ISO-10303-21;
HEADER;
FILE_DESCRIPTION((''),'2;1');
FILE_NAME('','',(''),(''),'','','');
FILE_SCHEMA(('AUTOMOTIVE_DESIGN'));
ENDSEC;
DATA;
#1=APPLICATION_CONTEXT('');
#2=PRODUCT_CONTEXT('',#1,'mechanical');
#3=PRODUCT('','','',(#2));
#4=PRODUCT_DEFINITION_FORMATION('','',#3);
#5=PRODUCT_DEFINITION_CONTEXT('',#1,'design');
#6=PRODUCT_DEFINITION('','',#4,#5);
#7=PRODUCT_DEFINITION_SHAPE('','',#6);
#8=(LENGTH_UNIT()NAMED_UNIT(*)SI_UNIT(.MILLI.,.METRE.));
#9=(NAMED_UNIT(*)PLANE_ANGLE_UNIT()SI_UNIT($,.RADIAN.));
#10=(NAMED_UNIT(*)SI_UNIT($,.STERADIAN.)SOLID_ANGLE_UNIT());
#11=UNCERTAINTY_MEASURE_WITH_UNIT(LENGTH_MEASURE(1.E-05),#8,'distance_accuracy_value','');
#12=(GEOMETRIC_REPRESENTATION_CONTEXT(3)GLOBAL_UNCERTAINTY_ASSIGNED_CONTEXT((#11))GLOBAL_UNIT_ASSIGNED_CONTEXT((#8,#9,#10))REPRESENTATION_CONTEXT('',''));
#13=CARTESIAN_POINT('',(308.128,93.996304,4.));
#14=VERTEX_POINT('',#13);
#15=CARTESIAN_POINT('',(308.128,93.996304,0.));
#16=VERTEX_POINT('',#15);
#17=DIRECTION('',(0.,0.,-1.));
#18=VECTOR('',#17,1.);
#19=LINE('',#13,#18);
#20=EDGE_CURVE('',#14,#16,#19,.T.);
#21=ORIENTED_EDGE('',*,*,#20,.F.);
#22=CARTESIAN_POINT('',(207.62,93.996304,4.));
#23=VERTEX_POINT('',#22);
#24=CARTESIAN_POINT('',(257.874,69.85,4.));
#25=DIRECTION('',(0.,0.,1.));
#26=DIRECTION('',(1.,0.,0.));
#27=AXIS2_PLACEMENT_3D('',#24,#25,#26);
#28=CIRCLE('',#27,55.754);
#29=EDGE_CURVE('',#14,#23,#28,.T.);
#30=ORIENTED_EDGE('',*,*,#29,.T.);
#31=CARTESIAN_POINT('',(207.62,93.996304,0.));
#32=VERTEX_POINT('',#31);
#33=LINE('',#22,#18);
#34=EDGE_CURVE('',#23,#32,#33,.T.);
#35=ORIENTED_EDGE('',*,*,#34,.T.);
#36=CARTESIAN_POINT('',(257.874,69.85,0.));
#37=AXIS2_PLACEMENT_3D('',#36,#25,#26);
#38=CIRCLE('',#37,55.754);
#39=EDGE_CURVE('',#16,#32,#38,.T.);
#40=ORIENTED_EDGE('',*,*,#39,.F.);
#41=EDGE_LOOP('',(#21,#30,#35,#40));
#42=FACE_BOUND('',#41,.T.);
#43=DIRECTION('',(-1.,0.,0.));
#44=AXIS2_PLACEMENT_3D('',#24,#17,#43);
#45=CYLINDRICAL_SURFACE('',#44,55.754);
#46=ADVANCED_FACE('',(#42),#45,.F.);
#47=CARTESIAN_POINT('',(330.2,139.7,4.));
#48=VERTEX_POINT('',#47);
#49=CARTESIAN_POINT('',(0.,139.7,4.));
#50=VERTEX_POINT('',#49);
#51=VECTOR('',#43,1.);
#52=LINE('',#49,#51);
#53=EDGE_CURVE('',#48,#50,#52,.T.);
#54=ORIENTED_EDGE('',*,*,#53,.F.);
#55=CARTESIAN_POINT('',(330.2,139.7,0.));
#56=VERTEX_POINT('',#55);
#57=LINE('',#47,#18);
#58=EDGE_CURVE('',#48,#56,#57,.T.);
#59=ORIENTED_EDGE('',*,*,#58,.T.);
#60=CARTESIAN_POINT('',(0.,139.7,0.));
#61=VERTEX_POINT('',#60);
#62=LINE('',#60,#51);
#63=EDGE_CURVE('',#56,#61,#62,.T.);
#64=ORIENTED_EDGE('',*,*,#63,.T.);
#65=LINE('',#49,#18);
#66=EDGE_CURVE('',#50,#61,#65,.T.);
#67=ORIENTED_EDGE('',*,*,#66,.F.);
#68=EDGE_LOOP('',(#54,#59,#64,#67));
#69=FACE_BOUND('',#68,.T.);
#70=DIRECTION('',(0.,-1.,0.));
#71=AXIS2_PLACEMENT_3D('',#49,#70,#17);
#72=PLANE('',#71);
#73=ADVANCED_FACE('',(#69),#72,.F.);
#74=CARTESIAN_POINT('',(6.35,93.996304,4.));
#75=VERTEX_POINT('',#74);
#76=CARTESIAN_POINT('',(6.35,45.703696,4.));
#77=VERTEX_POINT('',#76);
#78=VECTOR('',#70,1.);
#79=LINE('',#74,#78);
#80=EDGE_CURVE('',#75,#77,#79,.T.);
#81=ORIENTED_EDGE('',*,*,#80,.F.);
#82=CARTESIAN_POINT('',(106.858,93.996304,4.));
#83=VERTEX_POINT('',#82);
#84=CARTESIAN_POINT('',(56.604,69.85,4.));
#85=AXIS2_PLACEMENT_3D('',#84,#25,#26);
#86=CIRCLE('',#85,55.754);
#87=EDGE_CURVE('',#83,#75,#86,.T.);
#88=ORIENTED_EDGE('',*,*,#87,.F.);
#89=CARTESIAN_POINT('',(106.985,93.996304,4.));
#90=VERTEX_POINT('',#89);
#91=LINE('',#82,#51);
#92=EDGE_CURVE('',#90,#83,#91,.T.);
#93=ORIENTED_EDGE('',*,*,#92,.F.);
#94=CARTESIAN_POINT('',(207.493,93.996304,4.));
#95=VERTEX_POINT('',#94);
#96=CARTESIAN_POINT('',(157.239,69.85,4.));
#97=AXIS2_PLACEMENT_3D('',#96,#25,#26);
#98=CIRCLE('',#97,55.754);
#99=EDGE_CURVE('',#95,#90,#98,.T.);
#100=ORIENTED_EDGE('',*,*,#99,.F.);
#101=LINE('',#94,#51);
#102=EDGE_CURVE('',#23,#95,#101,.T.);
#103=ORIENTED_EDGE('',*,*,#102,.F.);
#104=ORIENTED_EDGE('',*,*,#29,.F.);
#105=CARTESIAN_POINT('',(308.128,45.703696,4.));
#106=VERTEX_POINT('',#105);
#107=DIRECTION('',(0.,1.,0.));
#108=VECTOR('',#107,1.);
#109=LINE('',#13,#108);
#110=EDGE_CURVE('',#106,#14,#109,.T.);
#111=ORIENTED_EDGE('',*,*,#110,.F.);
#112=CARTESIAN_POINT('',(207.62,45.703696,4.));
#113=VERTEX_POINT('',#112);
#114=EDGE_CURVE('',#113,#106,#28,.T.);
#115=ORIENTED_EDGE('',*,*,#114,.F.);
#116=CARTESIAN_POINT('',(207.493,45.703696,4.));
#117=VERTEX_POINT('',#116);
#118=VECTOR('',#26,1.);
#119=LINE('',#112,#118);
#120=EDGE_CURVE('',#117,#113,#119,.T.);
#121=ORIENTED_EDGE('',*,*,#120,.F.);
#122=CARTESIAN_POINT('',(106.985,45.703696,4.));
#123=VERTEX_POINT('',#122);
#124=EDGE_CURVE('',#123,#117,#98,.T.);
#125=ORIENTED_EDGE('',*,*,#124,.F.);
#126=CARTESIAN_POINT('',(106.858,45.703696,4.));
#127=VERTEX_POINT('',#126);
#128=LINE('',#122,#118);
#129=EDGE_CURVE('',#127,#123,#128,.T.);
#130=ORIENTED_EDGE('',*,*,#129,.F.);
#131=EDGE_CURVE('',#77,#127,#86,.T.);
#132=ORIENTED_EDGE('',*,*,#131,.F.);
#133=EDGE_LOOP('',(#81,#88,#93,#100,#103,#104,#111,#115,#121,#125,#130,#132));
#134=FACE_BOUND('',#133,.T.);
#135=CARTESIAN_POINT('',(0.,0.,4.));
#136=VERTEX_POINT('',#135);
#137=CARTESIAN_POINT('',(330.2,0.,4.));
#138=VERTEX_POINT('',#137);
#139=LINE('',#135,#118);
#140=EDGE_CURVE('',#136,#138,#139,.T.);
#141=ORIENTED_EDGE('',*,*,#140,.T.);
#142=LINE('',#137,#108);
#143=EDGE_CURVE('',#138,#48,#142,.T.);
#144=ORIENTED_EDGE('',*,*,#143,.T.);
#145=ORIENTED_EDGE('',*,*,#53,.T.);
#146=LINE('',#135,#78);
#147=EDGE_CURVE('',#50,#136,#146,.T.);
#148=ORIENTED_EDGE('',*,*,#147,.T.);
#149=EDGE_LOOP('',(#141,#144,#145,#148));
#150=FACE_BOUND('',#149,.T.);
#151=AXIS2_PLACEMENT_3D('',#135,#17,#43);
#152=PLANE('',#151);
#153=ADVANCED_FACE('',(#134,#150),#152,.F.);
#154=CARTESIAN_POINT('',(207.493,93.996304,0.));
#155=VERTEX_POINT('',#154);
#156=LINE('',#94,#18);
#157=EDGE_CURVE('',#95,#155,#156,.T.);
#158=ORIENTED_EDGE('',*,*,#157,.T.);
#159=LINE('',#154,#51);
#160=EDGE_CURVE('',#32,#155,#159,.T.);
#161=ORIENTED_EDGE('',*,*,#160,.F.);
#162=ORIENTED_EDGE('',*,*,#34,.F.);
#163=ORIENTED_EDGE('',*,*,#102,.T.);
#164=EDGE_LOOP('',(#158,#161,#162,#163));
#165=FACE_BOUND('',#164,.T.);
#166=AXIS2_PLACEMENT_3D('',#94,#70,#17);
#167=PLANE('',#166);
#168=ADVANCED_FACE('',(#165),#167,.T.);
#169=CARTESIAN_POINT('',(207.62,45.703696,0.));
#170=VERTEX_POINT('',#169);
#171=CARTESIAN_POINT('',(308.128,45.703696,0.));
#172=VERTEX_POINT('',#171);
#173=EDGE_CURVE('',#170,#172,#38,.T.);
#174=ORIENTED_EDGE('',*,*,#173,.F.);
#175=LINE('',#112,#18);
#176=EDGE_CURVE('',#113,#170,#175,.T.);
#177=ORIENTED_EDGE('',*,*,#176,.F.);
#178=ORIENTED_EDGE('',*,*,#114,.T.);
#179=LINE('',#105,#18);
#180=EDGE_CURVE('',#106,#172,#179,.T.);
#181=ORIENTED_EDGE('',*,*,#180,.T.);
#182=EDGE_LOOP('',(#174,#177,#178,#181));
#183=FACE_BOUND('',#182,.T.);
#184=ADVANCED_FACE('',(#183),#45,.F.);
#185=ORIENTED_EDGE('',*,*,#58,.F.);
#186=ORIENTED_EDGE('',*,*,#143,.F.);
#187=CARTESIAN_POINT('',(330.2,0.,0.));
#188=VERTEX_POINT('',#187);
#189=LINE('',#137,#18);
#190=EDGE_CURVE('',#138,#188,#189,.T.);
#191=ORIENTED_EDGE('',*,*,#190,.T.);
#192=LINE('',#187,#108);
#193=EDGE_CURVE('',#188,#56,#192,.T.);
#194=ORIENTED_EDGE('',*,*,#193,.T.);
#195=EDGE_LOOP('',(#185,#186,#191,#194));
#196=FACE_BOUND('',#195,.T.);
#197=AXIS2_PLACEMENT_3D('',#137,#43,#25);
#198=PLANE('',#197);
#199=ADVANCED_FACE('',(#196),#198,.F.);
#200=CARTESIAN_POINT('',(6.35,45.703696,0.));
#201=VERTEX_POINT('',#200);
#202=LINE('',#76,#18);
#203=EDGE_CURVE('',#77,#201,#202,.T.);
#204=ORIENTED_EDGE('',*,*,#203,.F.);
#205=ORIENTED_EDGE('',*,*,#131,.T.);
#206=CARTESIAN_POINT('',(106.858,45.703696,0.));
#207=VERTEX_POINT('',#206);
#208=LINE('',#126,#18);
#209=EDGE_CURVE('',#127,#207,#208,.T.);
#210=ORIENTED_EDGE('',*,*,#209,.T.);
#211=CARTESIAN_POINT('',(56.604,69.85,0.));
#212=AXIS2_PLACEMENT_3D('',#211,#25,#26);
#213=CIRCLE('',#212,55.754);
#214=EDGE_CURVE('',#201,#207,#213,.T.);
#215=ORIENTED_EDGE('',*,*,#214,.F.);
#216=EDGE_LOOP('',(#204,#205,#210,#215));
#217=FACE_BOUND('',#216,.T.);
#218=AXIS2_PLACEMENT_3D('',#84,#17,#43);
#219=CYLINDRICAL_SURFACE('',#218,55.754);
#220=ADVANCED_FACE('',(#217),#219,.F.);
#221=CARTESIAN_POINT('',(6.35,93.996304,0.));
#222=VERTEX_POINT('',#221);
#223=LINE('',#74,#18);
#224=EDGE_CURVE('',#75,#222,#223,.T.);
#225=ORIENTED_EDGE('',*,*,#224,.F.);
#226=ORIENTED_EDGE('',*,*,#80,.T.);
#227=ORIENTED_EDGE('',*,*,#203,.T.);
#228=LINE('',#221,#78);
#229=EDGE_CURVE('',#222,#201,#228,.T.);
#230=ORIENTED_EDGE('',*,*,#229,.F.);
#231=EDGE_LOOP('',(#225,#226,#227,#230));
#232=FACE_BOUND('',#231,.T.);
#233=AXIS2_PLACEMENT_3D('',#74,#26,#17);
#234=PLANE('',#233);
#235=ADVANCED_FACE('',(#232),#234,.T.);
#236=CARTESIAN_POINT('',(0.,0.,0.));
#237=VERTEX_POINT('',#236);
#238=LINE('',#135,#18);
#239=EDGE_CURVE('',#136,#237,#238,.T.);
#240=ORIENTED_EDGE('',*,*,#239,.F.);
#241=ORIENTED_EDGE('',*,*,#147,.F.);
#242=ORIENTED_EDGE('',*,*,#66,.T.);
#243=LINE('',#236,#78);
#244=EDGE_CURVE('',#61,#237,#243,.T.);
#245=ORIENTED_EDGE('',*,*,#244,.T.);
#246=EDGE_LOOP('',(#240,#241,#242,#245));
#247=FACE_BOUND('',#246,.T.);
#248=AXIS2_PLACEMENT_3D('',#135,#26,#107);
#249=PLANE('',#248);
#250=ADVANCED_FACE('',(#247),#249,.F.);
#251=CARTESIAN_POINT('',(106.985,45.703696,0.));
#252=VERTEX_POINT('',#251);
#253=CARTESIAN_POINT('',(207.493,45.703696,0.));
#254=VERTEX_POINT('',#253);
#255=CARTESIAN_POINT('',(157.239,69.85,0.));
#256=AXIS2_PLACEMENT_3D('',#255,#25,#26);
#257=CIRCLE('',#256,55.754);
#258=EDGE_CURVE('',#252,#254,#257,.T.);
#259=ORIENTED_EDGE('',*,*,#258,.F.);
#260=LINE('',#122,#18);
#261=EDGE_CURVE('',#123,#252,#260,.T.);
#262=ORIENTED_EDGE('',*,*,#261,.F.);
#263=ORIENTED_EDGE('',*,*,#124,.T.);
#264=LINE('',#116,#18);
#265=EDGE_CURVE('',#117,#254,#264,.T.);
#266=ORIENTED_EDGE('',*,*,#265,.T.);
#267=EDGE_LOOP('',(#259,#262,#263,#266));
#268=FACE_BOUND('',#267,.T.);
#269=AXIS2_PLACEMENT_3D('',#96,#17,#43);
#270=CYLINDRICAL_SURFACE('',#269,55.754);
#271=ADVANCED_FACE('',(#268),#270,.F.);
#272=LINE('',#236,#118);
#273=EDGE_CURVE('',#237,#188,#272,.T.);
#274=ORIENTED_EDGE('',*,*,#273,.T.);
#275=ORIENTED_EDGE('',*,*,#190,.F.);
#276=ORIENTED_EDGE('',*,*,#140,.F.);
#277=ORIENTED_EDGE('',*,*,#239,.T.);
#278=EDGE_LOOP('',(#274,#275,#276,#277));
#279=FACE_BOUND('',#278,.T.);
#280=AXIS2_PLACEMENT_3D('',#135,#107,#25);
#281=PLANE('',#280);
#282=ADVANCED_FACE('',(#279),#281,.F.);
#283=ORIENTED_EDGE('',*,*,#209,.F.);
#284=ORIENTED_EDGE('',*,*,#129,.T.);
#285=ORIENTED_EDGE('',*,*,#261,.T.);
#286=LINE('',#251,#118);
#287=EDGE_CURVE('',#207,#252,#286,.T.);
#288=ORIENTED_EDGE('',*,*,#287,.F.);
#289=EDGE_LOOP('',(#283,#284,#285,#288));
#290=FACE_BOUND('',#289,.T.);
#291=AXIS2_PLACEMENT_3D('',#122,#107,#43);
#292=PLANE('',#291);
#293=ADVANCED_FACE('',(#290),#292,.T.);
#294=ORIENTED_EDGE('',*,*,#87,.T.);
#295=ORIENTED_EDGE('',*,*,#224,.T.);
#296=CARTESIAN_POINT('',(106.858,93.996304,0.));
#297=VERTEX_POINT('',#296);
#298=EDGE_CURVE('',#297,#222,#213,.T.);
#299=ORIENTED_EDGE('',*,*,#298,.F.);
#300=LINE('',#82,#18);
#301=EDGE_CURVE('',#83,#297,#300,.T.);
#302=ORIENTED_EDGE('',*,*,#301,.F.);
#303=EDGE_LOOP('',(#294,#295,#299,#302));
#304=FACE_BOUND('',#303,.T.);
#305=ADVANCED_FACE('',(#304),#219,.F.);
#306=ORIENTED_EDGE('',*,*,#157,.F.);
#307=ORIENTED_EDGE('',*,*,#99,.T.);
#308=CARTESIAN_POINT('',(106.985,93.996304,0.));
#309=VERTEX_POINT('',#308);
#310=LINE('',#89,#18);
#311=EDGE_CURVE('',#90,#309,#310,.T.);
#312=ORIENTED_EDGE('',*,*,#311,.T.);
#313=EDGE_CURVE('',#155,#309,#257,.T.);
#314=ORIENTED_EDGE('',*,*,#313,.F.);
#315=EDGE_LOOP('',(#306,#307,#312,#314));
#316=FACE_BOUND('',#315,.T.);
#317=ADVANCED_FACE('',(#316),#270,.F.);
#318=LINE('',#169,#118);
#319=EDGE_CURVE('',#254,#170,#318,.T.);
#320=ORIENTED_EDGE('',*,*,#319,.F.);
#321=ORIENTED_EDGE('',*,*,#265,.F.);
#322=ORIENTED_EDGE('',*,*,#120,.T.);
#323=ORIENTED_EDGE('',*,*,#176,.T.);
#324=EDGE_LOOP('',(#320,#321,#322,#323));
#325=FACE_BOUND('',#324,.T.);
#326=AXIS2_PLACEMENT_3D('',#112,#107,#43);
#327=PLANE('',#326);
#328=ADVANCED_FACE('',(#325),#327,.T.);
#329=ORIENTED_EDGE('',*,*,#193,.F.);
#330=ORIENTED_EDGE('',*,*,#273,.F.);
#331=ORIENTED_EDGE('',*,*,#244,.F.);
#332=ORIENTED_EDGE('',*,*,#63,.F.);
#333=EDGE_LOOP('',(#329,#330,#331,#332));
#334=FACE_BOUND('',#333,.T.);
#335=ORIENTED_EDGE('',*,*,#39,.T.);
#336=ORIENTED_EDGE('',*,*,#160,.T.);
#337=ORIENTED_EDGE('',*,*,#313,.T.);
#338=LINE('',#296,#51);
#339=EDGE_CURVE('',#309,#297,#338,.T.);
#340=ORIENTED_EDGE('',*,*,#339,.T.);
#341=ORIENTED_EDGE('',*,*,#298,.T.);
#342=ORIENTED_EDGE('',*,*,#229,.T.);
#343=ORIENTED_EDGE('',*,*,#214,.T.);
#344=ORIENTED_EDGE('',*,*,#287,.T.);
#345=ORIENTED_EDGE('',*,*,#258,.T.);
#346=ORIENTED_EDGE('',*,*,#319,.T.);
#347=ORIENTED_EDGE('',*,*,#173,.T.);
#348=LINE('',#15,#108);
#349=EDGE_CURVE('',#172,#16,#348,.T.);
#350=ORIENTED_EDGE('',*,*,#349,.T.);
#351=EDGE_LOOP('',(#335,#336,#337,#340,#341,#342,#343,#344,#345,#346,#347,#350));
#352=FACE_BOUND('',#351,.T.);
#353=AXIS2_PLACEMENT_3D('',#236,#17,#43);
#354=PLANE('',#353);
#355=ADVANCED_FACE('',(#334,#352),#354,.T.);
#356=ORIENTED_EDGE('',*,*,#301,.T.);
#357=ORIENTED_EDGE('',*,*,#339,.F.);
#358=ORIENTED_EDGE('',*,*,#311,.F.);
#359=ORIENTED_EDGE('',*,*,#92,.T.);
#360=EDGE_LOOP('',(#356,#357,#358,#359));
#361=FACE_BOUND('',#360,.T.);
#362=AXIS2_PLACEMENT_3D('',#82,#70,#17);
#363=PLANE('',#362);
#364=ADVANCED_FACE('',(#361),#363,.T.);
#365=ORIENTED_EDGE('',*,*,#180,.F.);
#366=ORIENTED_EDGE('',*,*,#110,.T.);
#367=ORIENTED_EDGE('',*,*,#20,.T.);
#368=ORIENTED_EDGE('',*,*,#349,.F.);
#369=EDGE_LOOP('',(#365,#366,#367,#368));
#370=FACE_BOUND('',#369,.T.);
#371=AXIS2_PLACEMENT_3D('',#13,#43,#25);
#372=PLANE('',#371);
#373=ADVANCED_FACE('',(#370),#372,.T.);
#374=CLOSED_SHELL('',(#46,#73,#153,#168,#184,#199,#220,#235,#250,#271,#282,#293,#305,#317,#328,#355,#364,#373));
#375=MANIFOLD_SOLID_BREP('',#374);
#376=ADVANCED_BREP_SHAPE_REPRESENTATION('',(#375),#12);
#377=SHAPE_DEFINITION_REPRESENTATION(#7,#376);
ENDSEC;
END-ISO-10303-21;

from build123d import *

# Parameters (mm, degrees)
SKETCH4_W           = 330.2
SKETCH4_H           = 139.7
BOSS_EXTRUDE3_DEPTH = 4


with BuildPart() as part:
    # Sketch4 → Boss-Extrude3 (new body)
    with BuildSketch(Plane.XY):
        with Locations((165.1, 69.85)):
            Rectangle(SKETCH4_W, SKETCH4_H)
        with BuildLine():
            Line((6.35, 93.996304065), (6.35, 45.703695935))
            ThreePointArc((6.35, 45.703695935), (56.604, 14.096), (106.858, 45.703695935))
            Line((106.858, 45.703695935), (106.985, 45.703695935))
            ThreePointArc((106.985, 45.703695935), (157.239, 14.096), (207.493, 45.703695935))
            Line((207.493, 45.703695935), (207.62, 45.703695935))
            ThreePointArc((207.62, 45.703695935), (257.874, 14.096), (308.128, 45.703695935))
            Line((308.128, 45.703695935), (308.128, 93.996304065))
            ThreePointArc((308.128, 93.996304065), (257.874, 125.604), (207.62, 93.996304065))
            Line((207.62, 93.996304065), (207.493, 93.996304065))
            ThreePointArc((207.493, 93.996304065), (157.239, 125.604), (106.985, 93.996304065))
            Line((106.985, 93.996304065), (106.858, 93.996304065))
            ThreePointArc((106.858, 93.996304065), (56.604, 125.604), (6.35, 93.996304065))
        make_face(mode=Mode.SUBTRACT)
    extrude(amount=BOSS_EXTRUDE3_DEPTH)


solid = part.part
